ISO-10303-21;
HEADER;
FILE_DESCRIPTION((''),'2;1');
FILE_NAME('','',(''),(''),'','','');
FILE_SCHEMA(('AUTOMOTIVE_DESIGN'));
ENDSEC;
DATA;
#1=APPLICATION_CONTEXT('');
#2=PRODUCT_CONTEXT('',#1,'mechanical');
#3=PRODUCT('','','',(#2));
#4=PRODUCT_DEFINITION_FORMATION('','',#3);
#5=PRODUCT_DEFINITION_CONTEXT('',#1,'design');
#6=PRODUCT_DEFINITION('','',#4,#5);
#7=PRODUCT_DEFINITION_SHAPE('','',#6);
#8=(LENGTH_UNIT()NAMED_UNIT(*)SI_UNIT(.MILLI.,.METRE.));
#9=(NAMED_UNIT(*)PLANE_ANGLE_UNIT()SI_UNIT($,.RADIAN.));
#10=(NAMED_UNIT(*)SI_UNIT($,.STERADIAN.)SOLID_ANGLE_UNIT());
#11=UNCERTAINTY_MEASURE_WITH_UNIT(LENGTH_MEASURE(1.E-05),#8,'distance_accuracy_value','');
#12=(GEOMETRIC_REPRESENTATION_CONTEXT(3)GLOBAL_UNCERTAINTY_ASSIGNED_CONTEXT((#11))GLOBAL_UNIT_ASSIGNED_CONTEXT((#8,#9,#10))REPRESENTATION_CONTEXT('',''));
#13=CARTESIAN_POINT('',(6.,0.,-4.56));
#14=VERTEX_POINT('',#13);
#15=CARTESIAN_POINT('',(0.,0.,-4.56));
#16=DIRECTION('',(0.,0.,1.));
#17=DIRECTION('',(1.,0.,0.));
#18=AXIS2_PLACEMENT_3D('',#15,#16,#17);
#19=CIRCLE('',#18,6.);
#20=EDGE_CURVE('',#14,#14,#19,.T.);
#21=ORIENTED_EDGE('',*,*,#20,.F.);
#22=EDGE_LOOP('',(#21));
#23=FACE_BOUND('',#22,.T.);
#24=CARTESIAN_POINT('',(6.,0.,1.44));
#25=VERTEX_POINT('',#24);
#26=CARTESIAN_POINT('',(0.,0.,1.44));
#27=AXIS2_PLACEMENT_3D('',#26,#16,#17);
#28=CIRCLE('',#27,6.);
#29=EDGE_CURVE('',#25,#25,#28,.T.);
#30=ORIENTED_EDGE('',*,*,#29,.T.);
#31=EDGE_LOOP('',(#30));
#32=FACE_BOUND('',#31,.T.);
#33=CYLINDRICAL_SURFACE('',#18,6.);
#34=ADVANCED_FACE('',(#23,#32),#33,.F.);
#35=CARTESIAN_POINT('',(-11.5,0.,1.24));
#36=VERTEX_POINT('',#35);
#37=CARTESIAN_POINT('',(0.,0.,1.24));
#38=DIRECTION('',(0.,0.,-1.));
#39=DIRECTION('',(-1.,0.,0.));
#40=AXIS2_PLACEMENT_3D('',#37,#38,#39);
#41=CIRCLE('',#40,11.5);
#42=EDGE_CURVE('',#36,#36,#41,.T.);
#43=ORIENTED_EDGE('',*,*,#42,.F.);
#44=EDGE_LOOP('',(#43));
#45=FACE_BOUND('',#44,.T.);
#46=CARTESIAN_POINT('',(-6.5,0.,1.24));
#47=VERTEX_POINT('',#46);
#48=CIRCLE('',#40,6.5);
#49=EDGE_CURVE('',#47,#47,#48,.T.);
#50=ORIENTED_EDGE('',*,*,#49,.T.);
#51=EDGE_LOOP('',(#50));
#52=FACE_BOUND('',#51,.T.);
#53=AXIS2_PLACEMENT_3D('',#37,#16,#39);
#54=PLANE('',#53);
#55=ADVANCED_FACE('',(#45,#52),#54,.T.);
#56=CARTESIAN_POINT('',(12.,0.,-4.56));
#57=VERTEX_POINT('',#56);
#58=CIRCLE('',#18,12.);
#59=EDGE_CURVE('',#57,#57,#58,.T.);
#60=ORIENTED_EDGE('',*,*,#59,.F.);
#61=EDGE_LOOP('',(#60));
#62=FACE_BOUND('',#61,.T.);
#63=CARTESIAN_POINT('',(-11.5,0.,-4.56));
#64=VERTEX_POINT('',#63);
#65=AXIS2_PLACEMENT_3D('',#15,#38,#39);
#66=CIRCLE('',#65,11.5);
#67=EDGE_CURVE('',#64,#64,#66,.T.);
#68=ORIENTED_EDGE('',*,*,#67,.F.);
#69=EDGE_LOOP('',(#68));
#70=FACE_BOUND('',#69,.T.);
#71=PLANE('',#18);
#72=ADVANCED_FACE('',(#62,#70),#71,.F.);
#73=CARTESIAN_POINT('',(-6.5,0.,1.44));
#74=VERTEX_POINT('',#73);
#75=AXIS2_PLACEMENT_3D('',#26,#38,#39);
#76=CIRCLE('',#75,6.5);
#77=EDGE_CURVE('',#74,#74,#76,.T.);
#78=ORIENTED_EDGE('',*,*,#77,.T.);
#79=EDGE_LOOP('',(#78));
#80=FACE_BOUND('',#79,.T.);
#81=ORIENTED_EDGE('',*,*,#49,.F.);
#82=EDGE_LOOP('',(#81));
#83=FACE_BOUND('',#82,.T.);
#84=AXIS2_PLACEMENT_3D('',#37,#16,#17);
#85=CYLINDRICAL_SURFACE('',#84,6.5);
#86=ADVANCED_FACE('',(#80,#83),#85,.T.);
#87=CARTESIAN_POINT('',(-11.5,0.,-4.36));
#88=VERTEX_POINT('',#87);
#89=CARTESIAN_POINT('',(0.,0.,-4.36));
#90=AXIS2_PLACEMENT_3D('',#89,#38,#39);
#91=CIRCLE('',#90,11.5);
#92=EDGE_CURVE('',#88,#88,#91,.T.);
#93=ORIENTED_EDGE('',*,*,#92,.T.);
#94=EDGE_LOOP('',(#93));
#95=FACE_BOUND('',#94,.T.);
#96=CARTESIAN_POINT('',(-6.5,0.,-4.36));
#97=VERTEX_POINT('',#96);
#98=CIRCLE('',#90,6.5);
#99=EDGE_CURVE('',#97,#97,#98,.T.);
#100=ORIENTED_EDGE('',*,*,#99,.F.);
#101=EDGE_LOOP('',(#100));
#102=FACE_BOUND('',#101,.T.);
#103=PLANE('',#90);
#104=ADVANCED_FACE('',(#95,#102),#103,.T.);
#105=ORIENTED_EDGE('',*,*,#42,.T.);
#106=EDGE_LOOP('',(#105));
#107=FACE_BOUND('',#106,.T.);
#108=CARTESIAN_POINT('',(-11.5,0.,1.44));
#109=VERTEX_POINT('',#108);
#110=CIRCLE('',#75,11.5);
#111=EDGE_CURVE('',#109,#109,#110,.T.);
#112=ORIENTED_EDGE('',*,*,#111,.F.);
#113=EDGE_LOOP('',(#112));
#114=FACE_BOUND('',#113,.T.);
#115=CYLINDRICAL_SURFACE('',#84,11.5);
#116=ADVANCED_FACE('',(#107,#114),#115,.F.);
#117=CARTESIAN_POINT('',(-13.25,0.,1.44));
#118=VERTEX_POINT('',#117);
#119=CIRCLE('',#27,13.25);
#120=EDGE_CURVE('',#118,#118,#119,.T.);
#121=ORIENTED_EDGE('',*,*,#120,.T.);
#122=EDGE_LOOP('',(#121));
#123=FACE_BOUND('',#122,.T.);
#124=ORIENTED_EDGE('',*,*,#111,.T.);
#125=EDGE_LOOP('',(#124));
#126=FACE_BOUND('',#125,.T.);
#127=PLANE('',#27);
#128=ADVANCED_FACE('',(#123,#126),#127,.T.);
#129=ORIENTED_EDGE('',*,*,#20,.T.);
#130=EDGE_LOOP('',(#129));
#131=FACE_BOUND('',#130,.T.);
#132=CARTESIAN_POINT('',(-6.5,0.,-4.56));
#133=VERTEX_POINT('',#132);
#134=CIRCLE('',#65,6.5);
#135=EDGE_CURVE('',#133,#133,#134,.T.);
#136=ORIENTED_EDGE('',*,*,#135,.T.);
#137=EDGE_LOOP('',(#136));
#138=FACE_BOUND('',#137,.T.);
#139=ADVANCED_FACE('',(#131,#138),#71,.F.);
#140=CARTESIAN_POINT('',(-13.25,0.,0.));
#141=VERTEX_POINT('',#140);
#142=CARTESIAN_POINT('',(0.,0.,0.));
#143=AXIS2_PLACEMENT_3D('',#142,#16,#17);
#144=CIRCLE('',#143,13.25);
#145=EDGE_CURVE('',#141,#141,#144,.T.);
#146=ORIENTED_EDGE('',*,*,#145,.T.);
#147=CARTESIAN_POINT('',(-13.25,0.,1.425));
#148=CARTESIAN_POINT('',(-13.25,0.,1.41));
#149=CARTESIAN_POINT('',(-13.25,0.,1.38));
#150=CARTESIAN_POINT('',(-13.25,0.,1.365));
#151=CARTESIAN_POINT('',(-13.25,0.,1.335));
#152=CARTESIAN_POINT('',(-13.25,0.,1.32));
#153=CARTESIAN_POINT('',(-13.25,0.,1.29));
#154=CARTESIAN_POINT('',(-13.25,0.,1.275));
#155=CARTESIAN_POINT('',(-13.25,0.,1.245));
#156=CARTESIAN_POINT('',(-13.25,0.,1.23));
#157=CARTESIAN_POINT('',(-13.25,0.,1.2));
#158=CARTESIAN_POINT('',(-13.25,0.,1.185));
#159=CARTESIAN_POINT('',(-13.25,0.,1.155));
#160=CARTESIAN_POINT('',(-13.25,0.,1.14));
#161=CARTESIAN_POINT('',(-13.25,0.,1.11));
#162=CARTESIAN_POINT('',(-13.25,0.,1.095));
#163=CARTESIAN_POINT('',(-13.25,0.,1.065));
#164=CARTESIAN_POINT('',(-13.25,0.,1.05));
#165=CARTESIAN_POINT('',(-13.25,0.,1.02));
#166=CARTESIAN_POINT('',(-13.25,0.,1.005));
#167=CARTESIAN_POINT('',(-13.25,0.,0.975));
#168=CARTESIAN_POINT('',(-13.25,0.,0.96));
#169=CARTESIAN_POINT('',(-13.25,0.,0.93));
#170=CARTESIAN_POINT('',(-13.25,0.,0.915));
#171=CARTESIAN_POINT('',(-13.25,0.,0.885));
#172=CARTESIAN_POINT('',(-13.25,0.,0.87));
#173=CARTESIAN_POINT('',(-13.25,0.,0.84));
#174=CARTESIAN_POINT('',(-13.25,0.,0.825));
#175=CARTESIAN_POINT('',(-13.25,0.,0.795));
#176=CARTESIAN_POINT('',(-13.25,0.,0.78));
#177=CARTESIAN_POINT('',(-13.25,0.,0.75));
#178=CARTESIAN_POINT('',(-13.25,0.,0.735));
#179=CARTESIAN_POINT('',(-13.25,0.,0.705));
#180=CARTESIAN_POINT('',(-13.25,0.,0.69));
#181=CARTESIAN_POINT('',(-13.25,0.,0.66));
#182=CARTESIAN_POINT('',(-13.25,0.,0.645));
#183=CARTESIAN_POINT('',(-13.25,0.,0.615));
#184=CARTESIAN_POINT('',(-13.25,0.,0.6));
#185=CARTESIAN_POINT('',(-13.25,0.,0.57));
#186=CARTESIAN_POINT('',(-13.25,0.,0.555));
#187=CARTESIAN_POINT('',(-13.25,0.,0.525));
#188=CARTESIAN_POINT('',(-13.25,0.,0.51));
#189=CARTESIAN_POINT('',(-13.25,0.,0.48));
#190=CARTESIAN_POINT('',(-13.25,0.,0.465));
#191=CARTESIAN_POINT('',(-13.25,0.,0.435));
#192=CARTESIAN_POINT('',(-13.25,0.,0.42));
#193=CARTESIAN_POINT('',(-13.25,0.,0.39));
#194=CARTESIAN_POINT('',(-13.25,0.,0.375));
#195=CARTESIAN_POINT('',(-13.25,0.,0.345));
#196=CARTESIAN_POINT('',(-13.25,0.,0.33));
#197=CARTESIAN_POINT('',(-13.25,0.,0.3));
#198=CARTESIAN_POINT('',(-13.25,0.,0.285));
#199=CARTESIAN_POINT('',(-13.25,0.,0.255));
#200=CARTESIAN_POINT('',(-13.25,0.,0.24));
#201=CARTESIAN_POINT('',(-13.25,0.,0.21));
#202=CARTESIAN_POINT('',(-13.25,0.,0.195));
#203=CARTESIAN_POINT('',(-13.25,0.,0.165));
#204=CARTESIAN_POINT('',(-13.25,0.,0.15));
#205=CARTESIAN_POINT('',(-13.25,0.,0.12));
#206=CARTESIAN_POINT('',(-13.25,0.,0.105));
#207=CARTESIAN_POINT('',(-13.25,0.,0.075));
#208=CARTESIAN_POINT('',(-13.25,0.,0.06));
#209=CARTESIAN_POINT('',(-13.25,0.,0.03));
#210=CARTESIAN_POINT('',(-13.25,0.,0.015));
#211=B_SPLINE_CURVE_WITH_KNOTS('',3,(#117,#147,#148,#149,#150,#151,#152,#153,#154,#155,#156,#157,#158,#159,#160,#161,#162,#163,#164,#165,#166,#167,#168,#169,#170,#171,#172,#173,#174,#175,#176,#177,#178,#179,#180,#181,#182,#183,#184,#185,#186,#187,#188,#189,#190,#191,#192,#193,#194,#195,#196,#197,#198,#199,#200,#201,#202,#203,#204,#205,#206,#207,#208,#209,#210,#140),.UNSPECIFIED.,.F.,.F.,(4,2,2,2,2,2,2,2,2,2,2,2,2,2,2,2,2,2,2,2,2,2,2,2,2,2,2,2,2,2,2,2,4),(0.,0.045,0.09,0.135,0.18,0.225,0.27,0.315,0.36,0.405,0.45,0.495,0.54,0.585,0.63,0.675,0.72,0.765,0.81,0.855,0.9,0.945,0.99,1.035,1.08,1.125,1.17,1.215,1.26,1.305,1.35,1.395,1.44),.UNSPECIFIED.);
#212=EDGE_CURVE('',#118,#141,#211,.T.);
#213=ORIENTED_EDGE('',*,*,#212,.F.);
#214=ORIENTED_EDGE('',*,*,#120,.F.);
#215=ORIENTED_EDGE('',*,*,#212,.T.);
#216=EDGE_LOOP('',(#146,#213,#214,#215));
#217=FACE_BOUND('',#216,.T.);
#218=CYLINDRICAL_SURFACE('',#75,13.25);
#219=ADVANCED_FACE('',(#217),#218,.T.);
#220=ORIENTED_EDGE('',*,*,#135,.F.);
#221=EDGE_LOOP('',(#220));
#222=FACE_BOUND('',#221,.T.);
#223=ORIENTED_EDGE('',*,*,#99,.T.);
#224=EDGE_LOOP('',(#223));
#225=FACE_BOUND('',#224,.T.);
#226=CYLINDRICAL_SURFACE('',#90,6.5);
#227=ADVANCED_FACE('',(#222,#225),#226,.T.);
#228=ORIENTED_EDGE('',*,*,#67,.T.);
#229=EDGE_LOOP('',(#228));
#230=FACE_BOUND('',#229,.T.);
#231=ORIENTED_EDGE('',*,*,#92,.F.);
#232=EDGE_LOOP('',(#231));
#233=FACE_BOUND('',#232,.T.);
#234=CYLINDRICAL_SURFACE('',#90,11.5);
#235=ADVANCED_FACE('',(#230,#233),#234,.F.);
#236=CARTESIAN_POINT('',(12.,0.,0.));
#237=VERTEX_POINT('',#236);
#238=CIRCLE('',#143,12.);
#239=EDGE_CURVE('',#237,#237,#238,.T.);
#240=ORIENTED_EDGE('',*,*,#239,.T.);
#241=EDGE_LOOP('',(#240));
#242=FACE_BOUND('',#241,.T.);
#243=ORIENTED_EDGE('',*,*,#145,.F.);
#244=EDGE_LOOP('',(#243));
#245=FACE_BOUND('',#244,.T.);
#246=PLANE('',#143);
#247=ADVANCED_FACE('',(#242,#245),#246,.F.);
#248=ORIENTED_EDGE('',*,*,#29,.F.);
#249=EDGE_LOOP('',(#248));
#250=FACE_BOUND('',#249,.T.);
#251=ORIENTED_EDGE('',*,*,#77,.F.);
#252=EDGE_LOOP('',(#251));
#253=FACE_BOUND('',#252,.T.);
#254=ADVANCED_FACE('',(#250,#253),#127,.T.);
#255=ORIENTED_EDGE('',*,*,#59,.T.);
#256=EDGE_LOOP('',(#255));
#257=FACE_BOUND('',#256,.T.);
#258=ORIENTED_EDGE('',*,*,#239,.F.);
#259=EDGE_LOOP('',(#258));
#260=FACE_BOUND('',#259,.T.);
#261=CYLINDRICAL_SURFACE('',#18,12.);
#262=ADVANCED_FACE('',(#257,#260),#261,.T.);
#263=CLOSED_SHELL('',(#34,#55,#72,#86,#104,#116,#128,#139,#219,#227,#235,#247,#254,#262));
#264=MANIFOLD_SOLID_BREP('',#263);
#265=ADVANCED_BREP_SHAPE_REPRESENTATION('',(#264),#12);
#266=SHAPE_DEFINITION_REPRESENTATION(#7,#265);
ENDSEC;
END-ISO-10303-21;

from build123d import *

# Parameters (mm, degrees)
SKETCH_1_R          = 13.25
SKETCH_1_R_2        = 12
EXTRUDE_1_DEPTH     = 1.44
EXTRUDE_START       = -6
SKETCH_2_R          = 12
SKETCH_2_R_2        = 6
EXTRUDE_2_DEPTH     = 6
SKETCH_3_R          = 11.5
SKETCH_3_R_2        = 6.5
CUT_EXTRUDE_1_DEPTH = 0.2


with BuildPart() as part:
    # 草图1 → 凸台-拉伸1 (new body)
    with BuildSketch(Plane.XY):
        with Locations(Location((0, 0, 0), (0, 0, 180))):
            Circle(SKETCH_1_R)
        with Locations(Location((0, 0, 0), (0, 0, 180))):
            Circle(SKETCH_1_R_2, mode=Mode.SUBTRACT)
    extrude(amount=EXTRUDE_1_DEPTH)

    # 草图2 → 凸台-拉伸2 (add)
    with BuildSketch(Plane.XY.offset(1.44).offset(EXTRUDE_START)):
        Circle(SKETCH_2_R)
        Circle(SKETCH_2_R_2, mode=Mode.SUBTRACT)
    extrude(amount=EXTRUDE_2_DEPTH)

    # 草图3 → 切除-拉伸1 (cut)
    with BuildSketch(Plane(origin=(0, 0, -4.56), x_dir=(-1, 0, 0), z_dir=(0, 0, -1))):
        Circle(SKETCH_3_R)
        Circle(SKETCH_3_R_2, mode=Mode.SUBTRACT)
    cut_extrude_1 = extrude(amount=-CUT_EXTRUDE_1_DEPTH, mode=Mode.SUBTRACT)

    # 镜向1: 切除-拉伸1 across plane
    add(cut_extrude_1.mirror(Plane(origin=(0, 0, -1.56), x_dir=(1, 0, 0), z_dir=(0, 0, -1))), mode=Mode.SUBTRACT)


solid = part.part
